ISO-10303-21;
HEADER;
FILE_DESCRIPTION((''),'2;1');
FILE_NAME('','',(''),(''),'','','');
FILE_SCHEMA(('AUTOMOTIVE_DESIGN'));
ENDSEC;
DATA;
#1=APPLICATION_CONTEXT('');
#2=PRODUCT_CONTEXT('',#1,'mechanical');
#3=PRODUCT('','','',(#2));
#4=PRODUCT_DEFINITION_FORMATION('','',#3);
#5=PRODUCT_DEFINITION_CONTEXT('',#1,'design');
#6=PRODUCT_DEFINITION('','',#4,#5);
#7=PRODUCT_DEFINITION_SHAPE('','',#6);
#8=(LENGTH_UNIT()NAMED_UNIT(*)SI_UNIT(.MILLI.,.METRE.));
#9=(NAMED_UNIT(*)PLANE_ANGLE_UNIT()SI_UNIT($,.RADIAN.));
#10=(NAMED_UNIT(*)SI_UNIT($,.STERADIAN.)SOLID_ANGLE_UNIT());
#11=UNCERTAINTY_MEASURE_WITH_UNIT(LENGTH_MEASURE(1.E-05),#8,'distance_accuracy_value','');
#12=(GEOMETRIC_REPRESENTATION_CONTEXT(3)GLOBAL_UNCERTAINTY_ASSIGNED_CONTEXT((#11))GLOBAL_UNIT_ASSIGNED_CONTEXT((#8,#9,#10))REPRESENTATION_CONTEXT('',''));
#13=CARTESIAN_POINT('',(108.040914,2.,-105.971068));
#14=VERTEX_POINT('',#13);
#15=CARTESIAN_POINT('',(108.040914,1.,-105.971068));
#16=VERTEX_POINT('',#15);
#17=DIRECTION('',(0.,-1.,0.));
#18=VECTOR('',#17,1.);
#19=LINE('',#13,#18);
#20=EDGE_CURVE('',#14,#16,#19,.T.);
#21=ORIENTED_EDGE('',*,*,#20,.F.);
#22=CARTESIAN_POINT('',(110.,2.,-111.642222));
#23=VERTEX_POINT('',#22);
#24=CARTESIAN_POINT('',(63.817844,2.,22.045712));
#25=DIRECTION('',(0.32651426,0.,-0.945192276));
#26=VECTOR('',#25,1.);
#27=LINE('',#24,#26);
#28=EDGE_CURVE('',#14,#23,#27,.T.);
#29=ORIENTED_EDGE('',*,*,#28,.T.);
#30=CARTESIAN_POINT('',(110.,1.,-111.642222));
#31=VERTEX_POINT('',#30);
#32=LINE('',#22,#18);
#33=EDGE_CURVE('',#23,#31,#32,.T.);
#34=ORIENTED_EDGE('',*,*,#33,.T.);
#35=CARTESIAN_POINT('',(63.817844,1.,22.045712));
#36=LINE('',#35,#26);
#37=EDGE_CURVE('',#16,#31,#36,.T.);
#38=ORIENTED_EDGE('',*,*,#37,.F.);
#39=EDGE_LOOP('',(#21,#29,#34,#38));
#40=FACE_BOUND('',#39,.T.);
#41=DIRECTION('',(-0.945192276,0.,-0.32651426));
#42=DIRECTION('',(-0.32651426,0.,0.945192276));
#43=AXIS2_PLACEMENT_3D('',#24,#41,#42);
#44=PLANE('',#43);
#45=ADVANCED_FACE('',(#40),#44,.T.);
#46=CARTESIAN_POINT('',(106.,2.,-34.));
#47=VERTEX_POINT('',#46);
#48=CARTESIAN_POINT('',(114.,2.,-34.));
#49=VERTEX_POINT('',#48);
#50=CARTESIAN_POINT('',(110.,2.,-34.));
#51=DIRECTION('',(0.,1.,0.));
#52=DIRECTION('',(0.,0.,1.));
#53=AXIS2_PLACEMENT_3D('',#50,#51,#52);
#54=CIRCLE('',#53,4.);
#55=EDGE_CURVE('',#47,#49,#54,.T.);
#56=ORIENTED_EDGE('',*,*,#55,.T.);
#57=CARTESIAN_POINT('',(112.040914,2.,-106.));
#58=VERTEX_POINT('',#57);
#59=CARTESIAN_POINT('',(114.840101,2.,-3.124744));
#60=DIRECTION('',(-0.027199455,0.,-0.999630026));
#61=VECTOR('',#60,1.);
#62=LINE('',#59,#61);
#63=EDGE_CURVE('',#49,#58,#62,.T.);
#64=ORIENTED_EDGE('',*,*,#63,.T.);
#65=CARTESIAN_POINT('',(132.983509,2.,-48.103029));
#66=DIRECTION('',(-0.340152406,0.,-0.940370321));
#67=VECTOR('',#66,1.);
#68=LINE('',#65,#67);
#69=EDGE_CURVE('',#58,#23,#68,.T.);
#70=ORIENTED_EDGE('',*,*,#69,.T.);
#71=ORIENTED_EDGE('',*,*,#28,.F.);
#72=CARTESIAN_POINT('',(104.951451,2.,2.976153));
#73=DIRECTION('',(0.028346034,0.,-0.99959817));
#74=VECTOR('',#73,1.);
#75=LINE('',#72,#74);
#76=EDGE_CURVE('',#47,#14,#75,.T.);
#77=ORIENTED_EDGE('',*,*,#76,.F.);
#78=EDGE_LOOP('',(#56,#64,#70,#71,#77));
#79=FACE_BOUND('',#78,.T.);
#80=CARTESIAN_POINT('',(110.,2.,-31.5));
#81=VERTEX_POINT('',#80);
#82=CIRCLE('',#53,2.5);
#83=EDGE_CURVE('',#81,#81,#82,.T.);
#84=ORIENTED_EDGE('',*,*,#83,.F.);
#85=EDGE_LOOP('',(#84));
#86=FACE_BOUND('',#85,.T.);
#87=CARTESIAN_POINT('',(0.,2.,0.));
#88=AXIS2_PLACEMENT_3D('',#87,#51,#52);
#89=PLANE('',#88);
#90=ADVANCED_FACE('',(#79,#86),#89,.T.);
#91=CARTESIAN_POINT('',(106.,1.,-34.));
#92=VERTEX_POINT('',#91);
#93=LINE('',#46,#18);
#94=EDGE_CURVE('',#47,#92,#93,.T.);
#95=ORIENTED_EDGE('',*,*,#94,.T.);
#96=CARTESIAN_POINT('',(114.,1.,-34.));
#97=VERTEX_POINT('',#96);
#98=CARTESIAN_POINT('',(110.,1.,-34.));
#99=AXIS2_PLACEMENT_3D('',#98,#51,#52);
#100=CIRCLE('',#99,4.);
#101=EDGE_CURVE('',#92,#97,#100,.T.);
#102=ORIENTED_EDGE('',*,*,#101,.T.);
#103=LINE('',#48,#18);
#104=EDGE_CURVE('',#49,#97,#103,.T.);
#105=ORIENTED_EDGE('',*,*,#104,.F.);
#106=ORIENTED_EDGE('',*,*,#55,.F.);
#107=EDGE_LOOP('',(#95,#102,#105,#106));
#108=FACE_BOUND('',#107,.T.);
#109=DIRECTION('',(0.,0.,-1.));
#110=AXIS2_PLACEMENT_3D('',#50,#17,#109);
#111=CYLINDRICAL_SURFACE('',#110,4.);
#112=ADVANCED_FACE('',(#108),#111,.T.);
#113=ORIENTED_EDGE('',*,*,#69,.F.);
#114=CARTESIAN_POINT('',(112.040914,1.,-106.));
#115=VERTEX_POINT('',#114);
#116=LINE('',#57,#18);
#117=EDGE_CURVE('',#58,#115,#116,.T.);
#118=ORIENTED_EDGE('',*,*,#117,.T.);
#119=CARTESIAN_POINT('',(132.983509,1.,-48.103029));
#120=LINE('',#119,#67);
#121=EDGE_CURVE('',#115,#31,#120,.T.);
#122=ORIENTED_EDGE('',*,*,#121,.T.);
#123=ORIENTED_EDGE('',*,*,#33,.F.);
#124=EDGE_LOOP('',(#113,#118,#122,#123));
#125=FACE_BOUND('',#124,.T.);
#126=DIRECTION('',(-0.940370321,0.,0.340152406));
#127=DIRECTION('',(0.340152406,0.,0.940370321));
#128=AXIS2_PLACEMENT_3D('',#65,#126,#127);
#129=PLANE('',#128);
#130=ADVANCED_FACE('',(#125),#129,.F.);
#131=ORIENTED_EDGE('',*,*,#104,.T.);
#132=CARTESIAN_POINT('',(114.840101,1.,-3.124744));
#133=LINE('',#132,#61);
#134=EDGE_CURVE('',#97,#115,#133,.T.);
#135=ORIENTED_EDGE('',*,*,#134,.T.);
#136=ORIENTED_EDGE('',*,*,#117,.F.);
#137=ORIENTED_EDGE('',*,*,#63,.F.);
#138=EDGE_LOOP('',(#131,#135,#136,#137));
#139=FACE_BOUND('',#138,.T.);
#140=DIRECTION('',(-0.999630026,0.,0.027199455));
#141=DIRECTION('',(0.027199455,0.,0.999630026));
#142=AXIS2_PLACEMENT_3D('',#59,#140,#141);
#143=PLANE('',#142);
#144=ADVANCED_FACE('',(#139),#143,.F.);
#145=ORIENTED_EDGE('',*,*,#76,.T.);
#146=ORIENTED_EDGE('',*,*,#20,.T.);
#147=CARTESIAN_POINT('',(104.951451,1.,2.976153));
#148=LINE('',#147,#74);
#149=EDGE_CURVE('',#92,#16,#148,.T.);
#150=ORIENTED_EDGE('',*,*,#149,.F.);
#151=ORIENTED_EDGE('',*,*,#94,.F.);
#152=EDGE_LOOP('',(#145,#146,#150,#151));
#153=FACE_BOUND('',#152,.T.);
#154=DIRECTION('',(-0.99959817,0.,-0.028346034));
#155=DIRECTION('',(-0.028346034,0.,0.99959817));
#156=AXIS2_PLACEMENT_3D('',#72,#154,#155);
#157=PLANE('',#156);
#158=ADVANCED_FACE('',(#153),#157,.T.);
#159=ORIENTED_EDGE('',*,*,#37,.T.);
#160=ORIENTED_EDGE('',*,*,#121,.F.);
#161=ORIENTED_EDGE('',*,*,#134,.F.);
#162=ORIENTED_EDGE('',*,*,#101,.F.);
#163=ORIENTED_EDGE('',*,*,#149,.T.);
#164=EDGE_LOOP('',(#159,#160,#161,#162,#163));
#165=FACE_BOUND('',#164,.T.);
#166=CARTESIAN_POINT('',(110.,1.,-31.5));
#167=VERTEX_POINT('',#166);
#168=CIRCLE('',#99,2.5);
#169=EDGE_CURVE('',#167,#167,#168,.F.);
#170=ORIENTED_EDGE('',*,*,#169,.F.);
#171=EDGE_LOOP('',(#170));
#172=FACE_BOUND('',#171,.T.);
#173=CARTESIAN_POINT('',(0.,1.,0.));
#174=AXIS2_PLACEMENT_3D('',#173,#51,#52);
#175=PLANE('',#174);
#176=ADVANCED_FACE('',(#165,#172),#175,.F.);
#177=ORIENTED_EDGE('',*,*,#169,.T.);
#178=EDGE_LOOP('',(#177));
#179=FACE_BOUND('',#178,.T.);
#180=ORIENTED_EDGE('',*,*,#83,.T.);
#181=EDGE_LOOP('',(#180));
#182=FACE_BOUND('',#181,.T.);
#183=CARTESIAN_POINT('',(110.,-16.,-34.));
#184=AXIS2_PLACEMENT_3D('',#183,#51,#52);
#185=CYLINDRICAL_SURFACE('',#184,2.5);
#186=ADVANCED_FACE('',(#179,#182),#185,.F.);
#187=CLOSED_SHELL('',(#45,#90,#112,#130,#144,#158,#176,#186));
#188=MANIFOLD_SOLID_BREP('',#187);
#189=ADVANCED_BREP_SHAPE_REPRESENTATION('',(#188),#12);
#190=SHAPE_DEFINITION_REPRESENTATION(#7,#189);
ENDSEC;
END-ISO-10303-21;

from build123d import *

# Parameters (mm, degrees)
SKICA1_R                 = 2
P_IDAT_VYSUNUT_M3_DEPTH  = 2
ODEBRAT_START            = -18
SKICA5_R                 = 2.5
SKICA5_R_2               = 2
ODEBRAT_VYSUNUT_M1_DEPTH = 18
SKICA1_6_R               = 2
ODEBRAT_VYSUNUT_M3_DEPTH = 1


with BuildPart() as part:
    # Skica1 → Přidat vysunutím3 (new body)
    with BuildSketch(Plane(origin=(0, 0, 0), x_dir=(1, 0, 0), z_dir=(0, 1, 0))):
        with BuildLine():
            ThreePointArc((106, 34), (110, 30), (114, 34))
            Line((114, 34), (112.040914438, 106))
            Line((112.040914438, 106), (110, 111.642221926))
            Line((110, 111.642221926), (108.040914438, 105.971068272))
            Line((108.040914438, 105.971068272), (106, 34))
        make_face()
        with Locations((110, 34)):
            Circle(SKICA1_R, mode=Mode.SUBTRACT)
    extrude(amount=P_IDAT_VYSUNUT_M3_DEPTH)

    # Skica5 → Odebrat vysunutím1 (cut)
    with BuildSketch(Plane(origin=(0, 2, 0), x_dir=(1, 0, 0), z_dir=(0, 1, 0)).offset(ODEBRAT_START)):
        with Locations((110, 34)):
            Circle(SKICA5_R)
        with Locations((110, 34)):
            Circle(SKICA5_R_2, mode=Mode.SUBTRACT)
    extrude(amount=ODEBRAT_VYSUNUT_M1_DEPTH, mode=Mode.SUBTRACT)

    # Skica1<6> → Odebrat vysunutím3 (cut)
    with BuildSketch(Plane(origin=(0, 0, 0), x_dir=(1, 0, 0), z_dir=(0, 1, 0))):
        with BuildLine():
            ThreePointArc((106, 34), (110, 30), (114, 34))
            Line((114, 34), (112.040914438, 106))
            Line((112.040914438, 106), (110, 111.642221926))
            Line((110, 111.642221926), (108.040914438, 105.971068272))
            Line((108.040914438, 105.971068272), (106, 34))
        make_face()
        with Locations((110, 34)):
            Circle(SKICA1_6_R, mode=Mode.SUBTRACT)
    extrude(amount=ODEBRAT_VYSUNUT_M3_DEPTH, mode=Mode.SUBTRACT)


solid = part.part
